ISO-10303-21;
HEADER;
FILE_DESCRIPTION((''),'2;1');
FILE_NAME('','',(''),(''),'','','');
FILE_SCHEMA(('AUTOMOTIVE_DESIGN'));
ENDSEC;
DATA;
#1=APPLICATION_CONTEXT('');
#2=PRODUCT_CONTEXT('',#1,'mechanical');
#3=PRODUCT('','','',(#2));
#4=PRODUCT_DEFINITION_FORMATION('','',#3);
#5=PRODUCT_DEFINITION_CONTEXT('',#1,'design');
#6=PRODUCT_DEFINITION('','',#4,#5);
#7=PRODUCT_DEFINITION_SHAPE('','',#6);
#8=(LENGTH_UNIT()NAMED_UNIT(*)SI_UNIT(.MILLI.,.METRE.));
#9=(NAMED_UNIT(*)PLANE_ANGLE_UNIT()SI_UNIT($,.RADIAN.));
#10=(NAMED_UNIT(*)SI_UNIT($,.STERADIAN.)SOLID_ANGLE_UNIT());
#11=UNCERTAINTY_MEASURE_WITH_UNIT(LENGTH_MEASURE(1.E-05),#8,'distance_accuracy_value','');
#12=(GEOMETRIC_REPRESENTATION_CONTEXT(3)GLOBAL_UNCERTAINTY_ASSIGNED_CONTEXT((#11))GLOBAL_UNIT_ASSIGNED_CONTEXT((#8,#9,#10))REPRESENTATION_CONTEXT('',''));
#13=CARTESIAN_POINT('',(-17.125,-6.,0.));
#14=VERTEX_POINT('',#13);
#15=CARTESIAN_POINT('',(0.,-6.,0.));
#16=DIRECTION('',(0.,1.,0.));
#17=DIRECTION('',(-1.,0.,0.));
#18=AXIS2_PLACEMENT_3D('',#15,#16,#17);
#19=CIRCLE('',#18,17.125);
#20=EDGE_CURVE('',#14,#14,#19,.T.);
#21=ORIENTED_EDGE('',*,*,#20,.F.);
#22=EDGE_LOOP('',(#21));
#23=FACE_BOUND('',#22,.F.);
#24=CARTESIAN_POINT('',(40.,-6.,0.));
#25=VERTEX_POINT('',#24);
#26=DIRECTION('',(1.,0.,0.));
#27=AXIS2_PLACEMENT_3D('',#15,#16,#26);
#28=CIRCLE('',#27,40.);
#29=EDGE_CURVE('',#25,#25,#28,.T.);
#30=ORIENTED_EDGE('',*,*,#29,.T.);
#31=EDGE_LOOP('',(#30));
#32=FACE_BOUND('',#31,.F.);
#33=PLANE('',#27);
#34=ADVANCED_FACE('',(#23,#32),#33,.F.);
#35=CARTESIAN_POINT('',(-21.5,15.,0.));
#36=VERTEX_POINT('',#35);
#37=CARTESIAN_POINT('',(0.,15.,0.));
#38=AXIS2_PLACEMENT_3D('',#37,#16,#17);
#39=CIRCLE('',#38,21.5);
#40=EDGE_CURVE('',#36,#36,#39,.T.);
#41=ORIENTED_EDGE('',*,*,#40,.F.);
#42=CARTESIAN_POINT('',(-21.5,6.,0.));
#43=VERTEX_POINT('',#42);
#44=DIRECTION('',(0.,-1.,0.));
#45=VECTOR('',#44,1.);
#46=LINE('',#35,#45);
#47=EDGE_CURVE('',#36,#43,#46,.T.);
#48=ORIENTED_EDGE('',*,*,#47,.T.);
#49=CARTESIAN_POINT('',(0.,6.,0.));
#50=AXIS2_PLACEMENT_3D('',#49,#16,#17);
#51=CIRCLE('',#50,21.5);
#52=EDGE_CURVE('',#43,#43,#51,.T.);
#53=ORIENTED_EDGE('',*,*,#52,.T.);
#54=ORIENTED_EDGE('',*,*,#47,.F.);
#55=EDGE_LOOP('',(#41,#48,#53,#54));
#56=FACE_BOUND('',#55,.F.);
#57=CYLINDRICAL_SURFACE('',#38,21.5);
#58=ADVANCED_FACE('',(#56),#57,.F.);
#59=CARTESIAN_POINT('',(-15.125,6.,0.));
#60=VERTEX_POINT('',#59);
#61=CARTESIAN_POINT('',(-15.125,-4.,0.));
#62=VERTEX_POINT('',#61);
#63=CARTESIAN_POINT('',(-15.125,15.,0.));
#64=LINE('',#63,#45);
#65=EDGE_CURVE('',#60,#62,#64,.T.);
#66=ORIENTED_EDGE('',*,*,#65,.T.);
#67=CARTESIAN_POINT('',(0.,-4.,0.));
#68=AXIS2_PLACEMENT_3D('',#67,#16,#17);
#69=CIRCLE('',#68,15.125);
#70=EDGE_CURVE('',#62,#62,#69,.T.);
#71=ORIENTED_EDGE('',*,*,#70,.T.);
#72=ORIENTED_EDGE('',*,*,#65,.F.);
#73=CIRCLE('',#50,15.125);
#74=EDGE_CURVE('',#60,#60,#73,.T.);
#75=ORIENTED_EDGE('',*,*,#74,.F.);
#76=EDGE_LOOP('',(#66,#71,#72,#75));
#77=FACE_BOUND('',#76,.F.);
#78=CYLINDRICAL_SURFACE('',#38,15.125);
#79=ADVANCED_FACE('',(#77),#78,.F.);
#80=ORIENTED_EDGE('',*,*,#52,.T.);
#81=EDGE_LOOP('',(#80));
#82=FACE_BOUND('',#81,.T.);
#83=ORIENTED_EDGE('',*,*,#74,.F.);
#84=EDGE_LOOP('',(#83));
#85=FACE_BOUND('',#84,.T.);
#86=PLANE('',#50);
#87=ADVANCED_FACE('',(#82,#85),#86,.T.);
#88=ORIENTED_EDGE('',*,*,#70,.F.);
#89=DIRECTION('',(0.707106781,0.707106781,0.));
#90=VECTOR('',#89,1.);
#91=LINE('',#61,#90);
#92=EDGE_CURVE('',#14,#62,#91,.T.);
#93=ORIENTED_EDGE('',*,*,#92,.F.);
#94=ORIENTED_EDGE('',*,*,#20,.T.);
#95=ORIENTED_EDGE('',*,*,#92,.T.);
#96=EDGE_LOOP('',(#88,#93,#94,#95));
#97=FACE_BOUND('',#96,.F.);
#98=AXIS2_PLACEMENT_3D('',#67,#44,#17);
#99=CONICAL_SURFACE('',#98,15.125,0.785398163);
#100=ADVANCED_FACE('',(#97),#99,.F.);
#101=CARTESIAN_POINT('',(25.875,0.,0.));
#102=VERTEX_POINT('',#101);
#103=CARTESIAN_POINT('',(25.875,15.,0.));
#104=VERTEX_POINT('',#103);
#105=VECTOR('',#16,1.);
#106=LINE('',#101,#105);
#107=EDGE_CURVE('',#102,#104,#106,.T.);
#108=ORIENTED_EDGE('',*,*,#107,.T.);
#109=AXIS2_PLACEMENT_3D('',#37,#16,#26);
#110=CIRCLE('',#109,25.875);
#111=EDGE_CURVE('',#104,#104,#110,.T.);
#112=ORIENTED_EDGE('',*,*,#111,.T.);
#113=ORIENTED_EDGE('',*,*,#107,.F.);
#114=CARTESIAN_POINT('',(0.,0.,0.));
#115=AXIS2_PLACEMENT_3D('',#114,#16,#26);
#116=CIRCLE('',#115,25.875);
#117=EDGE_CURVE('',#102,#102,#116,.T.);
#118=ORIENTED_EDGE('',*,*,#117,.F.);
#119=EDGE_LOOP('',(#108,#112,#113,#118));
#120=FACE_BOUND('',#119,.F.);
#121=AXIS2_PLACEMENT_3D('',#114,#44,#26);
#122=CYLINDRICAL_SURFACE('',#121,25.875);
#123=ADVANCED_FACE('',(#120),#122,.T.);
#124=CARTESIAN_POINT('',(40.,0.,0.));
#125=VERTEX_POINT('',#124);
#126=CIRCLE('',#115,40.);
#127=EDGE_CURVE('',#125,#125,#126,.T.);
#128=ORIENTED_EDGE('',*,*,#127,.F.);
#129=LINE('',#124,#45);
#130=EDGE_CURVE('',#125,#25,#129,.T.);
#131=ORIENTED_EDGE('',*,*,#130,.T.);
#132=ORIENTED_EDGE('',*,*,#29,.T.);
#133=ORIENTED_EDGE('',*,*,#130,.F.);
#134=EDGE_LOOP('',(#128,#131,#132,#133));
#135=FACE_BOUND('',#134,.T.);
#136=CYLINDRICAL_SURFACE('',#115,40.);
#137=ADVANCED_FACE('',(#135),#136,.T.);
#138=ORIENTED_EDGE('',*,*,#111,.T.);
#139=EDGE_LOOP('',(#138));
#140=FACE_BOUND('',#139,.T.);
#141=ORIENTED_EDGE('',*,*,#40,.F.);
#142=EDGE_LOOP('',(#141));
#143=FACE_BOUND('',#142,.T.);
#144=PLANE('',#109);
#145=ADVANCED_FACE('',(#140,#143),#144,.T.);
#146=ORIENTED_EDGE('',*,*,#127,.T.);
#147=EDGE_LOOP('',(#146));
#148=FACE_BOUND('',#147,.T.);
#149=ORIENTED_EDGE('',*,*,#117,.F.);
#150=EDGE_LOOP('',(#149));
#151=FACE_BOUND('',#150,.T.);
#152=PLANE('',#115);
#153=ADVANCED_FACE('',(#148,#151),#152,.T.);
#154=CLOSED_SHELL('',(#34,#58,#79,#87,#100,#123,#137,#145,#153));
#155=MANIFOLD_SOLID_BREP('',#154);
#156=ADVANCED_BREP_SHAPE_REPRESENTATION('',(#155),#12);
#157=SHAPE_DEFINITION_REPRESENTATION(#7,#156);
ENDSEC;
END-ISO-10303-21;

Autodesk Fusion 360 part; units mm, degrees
sketch "Sketch1" plane through (0, 0, 0) normal (0, 1, 0) x (1, 0, 0)
  circle A0 centre (0, 0) radius 25.875
  circle A1 centre (0, 0) radius 40
  dimension "d1" = 51.75
  dimension "d2" = 80
extrude "Extrude1" add sketch "Sketch1" along normal blind 15 contours A0
extrude "Extrude2" add sketch "Sketch1" against normal blind 6 contours A0 | A1
sketch "Sketch2" plane through (0, 15, 0) normal (0, 1, 0) x (-1, 0, 0)
  circle A0 centre (0, 0) radius 25.875
  circle A1 centre (0, 0) radius 15.125
  dimension "d7" = 30.25
extrude "Extrude3" cut sketch "Sketch2" against normal blind 77.834 contours A1
sketch "Sketch3" plane through (0, 15, 0) normal (0, 1, 0) x (-1, 0, 0)
  circle A0 centre (0, 0) radius 15.125
  circle A1 centre (0, 0) radius 25.875
  circle A2 centre (0, 0) radius 21.5
  dimension "d10" = 43
extrude "Extrude4" cut sketch "Sketch3" against normal blind 9 contours A2
chamfer "Chamfer1" distance 2 angle 45 1 edges at (14.1015, -6, -5.4694)
